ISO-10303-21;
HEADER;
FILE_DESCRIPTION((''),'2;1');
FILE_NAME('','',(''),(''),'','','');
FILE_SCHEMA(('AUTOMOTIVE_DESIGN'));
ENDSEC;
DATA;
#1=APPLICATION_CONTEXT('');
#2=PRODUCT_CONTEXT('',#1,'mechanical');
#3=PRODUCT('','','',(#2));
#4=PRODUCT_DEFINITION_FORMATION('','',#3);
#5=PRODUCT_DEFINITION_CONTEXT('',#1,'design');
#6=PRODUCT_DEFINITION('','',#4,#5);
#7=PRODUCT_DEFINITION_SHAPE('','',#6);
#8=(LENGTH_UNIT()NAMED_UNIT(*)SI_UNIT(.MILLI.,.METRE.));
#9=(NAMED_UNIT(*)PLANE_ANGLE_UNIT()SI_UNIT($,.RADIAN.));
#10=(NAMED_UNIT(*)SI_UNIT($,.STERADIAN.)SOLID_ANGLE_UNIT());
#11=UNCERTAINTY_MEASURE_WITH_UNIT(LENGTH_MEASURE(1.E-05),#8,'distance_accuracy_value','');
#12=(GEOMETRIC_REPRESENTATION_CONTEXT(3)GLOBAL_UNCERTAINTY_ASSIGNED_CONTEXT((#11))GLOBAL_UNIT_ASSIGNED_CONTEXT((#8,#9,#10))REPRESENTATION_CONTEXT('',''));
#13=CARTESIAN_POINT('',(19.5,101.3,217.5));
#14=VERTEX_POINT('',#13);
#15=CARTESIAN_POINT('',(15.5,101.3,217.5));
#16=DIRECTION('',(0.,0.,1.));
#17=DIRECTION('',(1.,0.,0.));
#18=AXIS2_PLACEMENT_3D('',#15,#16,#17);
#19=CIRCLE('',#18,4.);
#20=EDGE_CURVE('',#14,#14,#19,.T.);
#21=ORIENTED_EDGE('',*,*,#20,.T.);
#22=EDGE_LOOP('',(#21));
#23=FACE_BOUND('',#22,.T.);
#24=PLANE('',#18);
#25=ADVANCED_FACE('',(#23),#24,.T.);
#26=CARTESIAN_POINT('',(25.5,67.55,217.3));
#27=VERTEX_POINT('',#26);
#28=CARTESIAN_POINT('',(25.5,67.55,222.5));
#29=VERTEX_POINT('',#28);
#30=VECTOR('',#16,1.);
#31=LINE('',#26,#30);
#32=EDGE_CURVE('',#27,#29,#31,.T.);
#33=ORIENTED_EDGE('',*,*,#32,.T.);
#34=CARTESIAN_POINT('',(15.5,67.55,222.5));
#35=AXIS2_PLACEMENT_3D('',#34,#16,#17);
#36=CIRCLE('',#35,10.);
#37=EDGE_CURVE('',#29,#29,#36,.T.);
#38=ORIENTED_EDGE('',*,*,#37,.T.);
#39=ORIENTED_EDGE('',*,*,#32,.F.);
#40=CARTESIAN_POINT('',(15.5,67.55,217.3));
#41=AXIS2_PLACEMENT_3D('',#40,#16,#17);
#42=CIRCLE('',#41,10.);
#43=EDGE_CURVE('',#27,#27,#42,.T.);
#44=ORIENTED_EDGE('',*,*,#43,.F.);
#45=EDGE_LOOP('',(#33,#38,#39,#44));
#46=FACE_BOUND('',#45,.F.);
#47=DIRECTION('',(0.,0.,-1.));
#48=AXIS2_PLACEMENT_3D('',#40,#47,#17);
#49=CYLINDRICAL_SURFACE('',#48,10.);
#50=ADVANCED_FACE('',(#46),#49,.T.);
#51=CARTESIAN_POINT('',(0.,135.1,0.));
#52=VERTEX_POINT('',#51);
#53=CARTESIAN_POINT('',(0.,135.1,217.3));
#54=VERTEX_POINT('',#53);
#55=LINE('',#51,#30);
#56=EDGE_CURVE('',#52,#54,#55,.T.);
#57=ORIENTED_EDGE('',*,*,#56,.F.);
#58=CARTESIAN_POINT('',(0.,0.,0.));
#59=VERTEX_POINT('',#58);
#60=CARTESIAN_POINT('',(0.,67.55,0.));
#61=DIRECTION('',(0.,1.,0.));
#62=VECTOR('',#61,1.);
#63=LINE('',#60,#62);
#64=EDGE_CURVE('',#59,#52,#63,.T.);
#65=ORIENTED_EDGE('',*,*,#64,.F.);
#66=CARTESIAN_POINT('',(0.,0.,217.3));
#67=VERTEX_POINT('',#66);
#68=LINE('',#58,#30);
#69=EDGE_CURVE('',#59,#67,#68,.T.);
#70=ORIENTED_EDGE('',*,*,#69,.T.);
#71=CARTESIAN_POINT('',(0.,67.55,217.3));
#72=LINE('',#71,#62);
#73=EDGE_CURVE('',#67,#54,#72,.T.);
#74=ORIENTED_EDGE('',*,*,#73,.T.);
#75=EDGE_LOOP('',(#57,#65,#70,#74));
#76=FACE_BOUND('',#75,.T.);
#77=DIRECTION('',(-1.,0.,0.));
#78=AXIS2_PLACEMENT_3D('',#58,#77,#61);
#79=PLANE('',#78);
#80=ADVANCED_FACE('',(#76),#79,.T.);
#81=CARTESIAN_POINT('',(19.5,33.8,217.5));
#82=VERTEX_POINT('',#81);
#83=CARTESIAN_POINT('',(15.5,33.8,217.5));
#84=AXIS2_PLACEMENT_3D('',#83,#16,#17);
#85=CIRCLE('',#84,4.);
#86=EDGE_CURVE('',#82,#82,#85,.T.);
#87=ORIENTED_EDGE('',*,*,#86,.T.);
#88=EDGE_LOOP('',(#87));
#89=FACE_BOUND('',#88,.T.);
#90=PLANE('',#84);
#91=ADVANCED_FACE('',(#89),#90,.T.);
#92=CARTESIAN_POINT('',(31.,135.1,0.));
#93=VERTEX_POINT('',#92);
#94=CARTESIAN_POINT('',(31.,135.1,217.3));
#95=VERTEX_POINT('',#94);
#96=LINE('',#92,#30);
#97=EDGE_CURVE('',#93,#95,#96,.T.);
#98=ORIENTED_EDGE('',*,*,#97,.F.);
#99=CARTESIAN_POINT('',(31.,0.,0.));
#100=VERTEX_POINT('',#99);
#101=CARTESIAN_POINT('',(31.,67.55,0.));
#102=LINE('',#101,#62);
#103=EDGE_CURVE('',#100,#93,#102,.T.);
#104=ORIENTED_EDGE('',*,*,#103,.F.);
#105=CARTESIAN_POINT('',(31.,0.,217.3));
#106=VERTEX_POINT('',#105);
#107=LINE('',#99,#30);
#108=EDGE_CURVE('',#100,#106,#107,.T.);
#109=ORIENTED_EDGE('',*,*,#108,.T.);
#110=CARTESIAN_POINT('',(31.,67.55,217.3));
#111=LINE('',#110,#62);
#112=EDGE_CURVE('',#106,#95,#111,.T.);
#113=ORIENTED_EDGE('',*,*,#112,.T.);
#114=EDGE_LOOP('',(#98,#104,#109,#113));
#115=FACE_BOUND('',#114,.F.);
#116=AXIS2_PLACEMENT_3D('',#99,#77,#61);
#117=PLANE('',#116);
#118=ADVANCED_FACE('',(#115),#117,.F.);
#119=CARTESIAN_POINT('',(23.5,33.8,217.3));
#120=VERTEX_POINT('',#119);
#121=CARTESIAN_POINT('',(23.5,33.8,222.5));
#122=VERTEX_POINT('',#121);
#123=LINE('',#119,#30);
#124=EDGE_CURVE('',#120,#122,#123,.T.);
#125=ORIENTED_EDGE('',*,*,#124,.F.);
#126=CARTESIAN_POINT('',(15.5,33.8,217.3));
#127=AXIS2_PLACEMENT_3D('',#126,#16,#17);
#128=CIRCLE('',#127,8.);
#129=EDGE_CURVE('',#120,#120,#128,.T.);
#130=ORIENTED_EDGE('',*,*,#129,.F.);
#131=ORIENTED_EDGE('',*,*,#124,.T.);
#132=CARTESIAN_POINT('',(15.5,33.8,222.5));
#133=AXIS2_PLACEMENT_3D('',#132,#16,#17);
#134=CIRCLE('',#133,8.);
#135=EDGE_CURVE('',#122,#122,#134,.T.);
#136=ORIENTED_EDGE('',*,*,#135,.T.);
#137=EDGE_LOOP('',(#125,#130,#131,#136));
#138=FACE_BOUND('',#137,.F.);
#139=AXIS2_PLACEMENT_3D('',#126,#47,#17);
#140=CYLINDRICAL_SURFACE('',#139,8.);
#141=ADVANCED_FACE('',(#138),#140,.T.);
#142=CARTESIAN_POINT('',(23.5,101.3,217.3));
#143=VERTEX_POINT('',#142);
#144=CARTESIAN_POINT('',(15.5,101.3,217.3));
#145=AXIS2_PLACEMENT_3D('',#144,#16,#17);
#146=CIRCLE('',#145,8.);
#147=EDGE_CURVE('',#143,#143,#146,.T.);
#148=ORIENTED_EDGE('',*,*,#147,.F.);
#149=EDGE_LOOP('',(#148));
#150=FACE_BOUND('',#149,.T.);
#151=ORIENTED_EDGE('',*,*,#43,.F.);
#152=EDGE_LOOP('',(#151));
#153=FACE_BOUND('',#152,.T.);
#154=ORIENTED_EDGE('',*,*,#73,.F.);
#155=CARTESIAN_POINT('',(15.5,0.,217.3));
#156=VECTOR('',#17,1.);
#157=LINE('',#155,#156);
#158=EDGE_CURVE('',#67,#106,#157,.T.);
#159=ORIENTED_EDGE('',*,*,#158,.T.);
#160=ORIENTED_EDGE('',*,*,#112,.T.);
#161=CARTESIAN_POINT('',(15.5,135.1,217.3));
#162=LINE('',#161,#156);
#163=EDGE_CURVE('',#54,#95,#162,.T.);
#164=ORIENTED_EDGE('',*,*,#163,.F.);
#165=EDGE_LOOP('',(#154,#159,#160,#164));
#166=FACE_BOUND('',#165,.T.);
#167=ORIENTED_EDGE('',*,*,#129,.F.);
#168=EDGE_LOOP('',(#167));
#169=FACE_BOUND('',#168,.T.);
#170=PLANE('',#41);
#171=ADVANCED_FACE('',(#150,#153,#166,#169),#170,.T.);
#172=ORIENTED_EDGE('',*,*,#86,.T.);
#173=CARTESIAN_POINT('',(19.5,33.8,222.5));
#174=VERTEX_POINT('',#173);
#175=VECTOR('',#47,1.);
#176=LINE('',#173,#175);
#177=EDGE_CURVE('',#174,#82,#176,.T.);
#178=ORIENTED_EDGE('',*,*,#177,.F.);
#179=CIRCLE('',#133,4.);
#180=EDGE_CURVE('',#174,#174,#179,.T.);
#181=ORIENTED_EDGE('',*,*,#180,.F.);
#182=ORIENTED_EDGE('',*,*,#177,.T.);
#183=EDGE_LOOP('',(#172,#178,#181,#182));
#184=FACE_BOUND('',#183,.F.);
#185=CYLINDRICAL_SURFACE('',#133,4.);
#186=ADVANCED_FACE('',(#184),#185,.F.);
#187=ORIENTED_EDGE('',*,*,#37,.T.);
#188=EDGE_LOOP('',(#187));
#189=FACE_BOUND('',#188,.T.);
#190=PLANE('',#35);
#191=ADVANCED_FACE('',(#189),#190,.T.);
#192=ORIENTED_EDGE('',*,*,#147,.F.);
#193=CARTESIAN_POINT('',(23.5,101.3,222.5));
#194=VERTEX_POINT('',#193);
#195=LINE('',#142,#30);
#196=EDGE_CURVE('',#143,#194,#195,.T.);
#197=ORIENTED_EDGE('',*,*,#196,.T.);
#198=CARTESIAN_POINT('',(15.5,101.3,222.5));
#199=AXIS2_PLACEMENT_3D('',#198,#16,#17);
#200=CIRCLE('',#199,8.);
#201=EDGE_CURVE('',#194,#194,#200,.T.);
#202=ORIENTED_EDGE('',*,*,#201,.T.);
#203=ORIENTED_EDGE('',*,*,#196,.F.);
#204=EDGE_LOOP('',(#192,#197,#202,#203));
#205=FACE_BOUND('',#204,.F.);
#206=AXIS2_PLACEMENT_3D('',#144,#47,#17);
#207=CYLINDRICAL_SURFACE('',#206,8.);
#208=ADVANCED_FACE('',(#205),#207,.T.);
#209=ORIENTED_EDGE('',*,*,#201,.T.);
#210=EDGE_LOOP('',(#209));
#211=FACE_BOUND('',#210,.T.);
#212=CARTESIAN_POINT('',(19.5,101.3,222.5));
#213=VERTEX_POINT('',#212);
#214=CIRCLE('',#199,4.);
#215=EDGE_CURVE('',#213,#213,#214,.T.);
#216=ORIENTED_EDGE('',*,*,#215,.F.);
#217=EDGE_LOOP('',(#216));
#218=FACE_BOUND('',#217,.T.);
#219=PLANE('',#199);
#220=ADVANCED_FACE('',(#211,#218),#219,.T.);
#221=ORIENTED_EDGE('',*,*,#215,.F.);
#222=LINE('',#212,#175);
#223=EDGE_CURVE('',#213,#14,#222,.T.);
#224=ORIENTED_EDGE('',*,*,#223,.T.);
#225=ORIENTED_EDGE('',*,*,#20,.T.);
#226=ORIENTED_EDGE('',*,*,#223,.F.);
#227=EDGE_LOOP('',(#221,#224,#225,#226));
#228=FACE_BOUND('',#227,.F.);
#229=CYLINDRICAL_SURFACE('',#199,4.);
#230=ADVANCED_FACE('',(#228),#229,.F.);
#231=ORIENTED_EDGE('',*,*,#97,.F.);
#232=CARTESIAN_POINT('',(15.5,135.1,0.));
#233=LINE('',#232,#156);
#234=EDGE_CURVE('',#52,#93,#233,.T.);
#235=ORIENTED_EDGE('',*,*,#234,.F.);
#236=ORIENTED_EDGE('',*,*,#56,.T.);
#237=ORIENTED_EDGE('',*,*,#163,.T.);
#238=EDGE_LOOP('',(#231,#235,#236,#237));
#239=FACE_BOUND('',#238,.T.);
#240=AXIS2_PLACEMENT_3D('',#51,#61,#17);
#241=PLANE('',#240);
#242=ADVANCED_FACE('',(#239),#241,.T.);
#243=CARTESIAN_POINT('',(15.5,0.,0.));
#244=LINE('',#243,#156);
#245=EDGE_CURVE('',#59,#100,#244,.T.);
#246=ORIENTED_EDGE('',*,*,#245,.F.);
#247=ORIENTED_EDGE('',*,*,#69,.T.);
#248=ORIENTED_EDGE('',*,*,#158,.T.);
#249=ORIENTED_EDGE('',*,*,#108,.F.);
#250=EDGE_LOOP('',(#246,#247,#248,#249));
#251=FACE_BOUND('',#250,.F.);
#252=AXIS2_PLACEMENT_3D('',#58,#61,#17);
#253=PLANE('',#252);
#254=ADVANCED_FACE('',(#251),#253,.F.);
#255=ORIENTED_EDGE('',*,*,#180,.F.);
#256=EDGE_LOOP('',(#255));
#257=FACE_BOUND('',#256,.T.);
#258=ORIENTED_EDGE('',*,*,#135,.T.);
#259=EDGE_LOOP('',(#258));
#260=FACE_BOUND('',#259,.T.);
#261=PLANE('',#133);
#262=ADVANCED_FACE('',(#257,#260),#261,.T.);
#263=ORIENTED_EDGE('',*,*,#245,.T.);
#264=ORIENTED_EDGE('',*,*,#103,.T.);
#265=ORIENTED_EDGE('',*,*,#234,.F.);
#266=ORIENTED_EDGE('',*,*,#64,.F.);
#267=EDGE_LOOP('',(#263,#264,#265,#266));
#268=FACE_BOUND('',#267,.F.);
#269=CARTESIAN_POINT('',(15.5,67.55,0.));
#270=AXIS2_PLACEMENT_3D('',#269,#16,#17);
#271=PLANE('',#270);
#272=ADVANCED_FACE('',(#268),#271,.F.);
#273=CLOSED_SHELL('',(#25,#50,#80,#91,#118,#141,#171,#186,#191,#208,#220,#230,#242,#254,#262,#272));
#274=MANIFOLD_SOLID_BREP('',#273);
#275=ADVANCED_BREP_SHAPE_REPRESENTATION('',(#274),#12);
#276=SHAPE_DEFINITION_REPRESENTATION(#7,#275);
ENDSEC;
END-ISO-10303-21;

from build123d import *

# Parameters (mm, degrees)
SKETCH_W      = 31
SKETCH_H      = 135.1
PAD_DEPTH     = 217.3
SKETCH001_R   = 8
SKETCH001_R_2 = 10
PAD001_DEPTH  = 5.2
SKETCH002_R   = 4
POCKET_DEPTH  = 5


with BuildPart() as part:
    # Sketch → Pad (new body)
    with BuildSketch(Plane.XY):
        with Locations((15.5, 67.55)):
            Rectangle(SKETCH_W, SKETCH_H)
    extrude(amount=PAD_DEPTH)

    # Sketch001 (on Face6 of Pad) → Pad001 (join)
    with BuildSketch(Plane.XY.offset(217.3)):
        with Locations((15.5, 33.8)):
            Circle(SKETCH001_R)
        with Locations((15.5, 67.55)):
            Circle(SKETCH001_R_2)
        with Locations((15.5, 101.3)):
            Circle(SKETCH001_R)
    extrude(amount=PAD001_DEPTH)

    # Sketch002 (on Face11 of Pad001) → Pocket (cut)
    with BuildSketch(Plane.XY.offset(222.5)):
        with Locations((15.5, 101.3)):
            Circle(SKETCH002_R)
        with Locations((15.5, 33.8)):
            Circle(SKETCH002_R)
    extrude(amount=-POCKET_DEPTH, mode=Mode.SUBTRACT)


solid = part.part
